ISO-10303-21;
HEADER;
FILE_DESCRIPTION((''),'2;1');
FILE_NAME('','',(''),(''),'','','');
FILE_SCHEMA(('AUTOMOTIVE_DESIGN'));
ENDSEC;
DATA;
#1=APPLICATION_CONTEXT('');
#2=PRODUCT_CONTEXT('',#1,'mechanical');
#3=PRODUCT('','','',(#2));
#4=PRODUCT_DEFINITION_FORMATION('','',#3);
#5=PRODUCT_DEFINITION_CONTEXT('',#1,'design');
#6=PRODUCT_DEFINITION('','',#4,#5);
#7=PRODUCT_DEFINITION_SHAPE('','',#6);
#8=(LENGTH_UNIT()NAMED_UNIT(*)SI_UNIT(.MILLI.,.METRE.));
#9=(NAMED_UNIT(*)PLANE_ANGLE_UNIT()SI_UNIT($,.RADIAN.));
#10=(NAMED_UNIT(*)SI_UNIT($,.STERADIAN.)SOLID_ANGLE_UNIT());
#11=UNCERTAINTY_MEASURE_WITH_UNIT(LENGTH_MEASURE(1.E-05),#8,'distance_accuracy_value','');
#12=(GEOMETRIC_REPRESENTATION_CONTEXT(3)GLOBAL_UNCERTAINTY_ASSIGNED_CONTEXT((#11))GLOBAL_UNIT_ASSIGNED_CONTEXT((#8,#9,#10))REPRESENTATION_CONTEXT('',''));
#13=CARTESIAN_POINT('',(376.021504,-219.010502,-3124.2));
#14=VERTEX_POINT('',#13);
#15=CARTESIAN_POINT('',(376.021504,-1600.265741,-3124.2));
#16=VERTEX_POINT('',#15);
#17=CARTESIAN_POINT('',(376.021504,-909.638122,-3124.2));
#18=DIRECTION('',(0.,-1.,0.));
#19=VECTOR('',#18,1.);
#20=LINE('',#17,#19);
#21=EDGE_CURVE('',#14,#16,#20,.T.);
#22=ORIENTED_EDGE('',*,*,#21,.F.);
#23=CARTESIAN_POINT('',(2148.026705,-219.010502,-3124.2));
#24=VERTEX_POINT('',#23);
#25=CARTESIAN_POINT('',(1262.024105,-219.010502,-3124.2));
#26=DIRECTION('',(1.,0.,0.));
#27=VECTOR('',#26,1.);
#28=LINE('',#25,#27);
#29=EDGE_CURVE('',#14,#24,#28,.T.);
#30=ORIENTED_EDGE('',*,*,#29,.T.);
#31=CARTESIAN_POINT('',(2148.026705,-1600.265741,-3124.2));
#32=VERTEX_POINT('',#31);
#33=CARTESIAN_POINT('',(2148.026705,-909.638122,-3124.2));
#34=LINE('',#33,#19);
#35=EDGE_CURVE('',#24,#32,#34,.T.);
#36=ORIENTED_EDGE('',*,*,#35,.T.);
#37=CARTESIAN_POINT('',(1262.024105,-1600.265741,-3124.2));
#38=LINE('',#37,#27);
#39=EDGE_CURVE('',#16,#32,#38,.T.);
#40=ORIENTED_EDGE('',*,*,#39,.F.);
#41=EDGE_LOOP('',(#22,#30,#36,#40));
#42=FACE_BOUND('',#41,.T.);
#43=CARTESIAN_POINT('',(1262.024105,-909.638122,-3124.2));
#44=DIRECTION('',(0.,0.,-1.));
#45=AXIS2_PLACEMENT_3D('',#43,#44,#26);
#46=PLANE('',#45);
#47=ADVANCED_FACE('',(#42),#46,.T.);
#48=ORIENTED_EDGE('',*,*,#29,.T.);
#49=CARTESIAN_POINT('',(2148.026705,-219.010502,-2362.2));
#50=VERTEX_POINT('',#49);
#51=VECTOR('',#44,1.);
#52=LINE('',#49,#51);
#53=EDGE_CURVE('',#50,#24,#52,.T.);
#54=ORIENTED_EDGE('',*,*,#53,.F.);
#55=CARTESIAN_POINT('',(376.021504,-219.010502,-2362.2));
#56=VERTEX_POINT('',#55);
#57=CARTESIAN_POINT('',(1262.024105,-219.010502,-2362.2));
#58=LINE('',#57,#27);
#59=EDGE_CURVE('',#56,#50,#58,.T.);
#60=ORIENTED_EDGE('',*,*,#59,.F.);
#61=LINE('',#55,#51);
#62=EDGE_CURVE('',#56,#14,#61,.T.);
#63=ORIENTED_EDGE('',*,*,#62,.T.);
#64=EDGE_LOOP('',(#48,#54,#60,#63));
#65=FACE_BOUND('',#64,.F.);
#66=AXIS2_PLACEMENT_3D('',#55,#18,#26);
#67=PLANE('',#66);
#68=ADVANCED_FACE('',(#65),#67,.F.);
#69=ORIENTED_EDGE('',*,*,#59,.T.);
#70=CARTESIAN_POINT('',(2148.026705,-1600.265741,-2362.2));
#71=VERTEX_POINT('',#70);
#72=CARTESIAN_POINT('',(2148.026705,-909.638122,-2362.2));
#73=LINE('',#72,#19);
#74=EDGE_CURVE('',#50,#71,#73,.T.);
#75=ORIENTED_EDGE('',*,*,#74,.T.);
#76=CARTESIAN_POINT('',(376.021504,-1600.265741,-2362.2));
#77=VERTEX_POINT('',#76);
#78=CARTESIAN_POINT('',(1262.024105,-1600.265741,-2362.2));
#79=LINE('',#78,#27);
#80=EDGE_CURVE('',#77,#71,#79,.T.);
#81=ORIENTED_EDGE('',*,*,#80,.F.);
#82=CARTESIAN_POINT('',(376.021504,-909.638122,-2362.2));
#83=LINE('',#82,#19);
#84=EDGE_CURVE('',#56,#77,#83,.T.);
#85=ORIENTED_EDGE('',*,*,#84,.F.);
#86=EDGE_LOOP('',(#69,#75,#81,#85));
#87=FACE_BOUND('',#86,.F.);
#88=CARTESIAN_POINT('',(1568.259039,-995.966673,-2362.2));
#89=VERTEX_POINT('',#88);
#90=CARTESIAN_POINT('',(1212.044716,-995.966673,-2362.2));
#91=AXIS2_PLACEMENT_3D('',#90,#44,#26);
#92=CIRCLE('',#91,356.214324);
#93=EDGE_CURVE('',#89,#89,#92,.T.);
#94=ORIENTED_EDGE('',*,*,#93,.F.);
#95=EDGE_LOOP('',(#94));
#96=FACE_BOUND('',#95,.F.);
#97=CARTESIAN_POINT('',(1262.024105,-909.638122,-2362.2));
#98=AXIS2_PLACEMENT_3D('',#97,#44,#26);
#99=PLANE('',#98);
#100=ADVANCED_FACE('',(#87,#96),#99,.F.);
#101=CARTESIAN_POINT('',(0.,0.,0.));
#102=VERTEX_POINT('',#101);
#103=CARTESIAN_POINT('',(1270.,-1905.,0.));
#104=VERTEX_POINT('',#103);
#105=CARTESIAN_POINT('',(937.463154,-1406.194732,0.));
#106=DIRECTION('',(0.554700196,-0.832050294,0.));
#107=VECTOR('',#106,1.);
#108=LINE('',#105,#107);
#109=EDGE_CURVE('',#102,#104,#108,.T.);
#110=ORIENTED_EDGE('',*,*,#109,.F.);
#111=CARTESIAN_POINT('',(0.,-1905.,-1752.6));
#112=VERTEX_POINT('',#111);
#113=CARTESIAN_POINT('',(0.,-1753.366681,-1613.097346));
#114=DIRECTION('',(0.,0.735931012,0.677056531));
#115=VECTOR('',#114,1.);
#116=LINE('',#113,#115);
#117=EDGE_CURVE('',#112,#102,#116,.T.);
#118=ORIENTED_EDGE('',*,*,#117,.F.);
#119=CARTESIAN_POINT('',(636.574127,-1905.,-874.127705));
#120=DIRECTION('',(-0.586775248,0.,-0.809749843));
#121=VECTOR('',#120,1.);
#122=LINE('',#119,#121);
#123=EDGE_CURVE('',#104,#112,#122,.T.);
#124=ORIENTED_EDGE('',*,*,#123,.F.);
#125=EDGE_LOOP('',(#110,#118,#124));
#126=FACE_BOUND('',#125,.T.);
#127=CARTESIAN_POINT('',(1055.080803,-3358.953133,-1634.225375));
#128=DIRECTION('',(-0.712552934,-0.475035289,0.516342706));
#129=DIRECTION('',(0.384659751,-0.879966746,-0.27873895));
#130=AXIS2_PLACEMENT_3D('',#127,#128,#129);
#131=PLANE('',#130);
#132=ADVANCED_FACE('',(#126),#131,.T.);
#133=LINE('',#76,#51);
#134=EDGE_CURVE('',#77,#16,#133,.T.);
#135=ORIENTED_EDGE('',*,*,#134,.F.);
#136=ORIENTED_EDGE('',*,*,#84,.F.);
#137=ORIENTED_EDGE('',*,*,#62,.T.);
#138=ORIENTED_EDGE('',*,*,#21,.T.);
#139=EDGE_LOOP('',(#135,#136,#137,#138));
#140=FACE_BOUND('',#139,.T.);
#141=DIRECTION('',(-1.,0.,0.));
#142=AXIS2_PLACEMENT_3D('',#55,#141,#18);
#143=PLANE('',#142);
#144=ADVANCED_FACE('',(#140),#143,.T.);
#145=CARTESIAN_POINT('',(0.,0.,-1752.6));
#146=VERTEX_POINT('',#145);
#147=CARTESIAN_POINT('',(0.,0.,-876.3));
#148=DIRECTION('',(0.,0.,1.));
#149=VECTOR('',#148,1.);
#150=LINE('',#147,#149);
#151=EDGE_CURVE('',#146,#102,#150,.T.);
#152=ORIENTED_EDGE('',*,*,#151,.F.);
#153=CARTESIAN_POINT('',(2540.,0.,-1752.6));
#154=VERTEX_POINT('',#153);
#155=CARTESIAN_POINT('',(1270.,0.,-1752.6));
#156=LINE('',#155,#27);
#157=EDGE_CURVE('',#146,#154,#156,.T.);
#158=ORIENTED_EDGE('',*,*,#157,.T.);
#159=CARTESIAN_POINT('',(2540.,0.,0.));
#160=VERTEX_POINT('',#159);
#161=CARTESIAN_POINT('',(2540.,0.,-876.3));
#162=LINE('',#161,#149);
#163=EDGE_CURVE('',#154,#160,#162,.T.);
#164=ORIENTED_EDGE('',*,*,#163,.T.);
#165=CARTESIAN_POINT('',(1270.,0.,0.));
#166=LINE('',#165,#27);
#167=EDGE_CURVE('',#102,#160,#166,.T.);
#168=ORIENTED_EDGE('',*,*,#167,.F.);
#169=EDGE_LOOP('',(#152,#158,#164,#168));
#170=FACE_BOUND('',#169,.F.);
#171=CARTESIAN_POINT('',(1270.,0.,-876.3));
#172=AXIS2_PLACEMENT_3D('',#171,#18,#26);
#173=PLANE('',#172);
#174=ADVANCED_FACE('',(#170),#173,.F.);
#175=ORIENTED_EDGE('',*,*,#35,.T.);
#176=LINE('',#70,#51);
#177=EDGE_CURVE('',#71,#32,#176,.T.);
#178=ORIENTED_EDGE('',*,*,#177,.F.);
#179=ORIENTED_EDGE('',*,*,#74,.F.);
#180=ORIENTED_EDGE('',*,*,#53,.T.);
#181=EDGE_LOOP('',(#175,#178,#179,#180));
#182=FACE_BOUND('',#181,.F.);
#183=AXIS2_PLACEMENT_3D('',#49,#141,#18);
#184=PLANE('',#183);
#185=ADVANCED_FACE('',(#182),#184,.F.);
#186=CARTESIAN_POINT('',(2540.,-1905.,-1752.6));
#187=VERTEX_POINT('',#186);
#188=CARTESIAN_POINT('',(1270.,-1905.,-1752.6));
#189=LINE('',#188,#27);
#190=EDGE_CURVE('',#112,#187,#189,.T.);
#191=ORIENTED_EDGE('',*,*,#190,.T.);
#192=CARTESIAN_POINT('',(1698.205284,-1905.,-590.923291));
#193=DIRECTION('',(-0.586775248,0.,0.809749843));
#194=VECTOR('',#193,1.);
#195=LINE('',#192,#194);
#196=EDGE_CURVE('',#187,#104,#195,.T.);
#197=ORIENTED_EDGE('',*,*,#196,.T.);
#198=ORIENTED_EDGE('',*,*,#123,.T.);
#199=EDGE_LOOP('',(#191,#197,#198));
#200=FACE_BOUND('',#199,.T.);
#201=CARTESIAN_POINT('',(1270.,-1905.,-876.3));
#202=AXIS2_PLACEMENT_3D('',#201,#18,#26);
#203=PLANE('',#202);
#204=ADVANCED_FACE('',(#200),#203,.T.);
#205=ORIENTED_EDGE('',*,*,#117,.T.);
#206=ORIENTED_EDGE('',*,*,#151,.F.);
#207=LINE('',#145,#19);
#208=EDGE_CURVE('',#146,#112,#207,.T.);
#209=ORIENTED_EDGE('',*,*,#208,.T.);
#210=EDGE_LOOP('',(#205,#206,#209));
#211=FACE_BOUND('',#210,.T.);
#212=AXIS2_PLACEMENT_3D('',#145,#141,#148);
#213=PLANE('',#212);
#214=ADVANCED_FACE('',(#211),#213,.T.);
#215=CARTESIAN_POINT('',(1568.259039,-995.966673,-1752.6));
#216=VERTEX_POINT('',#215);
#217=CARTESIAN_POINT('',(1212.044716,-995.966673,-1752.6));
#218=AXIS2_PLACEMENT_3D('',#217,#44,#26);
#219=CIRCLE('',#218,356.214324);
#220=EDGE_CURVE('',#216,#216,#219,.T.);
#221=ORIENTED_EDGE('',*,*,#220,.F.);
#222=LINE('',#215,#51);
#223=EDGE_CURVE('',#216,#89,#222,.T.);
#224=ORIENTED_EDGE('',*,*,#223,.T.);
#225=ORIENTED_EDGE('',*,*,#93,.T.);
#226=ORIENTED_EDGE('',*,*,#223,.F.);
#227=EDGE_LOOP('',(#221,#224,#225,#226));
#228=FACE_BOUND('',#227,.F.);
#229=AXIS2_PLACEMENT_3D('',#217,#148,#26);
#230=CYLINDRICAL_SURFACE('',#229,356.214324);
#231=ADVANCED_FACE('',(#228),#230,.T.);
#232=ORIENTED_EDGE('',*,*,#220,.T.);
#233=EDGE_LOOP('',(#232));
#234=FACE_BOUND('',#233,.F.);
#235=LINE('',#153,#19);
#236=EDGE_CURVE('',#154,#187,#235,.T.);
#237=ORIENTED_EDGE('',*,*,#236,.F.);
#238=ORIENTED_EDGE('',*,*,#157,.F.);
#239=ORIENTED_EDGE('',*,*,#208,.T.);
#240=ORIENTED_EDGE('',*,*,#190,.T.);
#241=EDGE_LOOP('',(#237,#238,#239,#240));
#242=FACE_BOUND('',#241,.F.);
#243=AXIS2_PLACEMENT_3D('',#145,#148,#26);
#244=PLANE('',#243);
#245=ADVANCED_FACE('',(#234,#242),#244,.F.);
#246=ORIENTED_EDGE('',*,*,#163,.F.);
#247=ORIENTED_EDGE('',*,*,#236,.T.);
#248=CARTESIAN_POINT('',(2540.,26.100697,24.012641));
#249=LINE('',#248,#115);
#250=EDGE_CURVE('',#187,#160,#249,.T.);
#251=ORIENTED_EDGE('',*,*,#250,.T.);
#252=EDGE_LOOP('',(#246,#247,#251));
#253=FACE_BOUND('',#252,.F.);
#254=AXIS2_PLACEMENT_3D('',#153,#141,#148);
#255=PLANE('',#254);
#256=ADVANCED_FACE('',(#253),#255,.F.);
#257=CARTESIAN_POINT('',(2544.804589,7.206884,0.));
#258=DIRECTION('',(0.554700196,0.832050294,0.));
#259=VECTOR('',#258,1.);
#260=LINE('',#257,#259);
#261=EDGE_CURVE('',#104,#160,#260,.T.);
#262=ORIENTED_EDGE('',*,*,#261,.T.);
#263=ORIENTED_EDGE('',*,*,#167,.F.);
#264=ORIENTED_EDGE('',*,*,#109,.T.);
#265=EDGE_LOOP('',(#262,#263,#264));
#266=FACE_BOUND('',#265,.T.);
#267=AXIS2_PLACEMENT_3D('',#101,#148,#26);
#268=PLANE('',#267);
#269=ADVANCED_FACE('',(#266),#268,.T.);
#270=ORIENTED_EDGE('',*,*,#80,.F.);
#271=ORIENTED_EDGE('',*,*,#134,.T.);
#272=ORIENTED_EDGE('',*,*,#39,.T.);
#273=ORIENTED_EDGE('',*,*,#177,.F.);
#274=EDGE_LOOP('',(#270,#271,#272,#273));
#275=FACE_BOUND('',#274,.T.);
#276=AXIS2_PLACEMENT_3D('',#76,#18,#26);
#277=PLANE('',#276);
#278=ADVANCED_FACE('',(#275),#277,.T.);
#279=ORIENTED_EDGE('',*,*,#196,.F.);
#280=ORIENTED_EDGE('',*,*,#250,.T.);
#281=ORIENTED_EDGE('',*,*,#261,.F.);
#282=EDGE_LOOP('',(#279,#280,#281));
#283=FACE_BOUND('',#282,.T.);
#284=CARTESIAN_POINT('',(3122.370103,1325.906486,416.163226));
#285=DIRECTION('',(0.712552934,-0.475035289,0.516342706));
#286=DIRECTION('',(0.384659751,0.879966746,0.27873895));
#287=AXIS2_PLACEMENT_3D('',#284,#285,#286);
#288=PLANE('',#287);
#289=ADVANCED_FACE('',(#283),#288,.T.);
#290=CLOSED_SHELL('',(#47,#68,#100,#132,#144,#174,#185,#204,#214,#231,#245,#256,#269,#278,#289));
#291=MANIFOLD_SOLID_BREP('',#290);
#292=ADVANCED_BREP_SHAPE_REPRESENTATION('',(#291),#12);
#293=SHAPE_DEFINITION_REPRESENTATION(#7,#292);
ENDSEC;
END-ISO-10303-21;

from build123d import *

# Parameters (mm, degrees)
F0_W      = 2540
F0_H      = 1752.6
F1_DEPTH  = 1905
F6_DEPTH  = 2540
F9_DEPTH  = 2540
F10_R     = 356.2143235098
F11_DEPTH = 609.6
F12_W     = 1772.005200386
F12_H     = 1381.2552392483
F13_DEPTH = 762


with BuildPart() as f1:
    # F0 (on Front) → F1 (new body)
    with BuildSketch(Plane.XZ):
        with Locations((1270, -876.3)):
            Rectangle(F0_W, F0_H)
    extrude(amount=F1_DEPTH)

    # F5 (on 3pt) → F6 (cut)
    with BuildSketch(Plane(origin=(1289.6384771249, -859.7589847499, 934.5206355977), x_dir=(0.3846597509, 0.8799667459, 0.2787389499), z_dir=(0.7125529341, -0.4750352894, 0.5163427059))):
        Polygon((3353.7168502808, 2692.031621933), (-3737.0851039886, 250.3813803196), (-2471.1351394653, -4877.2144317627), (9797.2965240478, -2905.4529666901), align=None)
    extrude(amount=F6_DEPTH, mode=Mode.SUBTRACT)

    # F8 (on 3pt) → F9 (cut)
    with BuildSketch(Plane(origin=(0, 0, 0), x_dir=(0.3846597509, -0.8799667459, -0.2787389499), z_dir=(-0.7125529341, -0.4750352894, 0.5163427059))):
        Polygon((6334.8989486694, 2345.2963829041), (-1106.8929433823, 0), (464.3750488758, -2554.3527603149), (8031.7029953003, -2892.7919864655), align=None)
    extrude(amount=F9_DEPTH, mode=Mode.SUBTRACT)

    # F10 (on face) → F11 (join)
    with BuildSketch(Plane(origin=(0, 0, -1752.6), x_dir=(1, 0, 0), z_dir=(0, 0, -1))):
        with Locations((1212.0447158813, 995.9666728973)):
            Circle(F10_R)
    extrude(amount=F11_DEPTH)

    # F12 (on face) → F13 (join)
    with BuildSketch(Plane(origin=(0, 0, -2362.2), x_dir=(1, 0, 0), z_dir=(0, 0, -1))):
        with Locations((1262.0241045952, 909.6381217241)):
            Rectangle(F12_W, F12_H)
    extrude(amount=F13_DEPTH)


solid = f1.part
